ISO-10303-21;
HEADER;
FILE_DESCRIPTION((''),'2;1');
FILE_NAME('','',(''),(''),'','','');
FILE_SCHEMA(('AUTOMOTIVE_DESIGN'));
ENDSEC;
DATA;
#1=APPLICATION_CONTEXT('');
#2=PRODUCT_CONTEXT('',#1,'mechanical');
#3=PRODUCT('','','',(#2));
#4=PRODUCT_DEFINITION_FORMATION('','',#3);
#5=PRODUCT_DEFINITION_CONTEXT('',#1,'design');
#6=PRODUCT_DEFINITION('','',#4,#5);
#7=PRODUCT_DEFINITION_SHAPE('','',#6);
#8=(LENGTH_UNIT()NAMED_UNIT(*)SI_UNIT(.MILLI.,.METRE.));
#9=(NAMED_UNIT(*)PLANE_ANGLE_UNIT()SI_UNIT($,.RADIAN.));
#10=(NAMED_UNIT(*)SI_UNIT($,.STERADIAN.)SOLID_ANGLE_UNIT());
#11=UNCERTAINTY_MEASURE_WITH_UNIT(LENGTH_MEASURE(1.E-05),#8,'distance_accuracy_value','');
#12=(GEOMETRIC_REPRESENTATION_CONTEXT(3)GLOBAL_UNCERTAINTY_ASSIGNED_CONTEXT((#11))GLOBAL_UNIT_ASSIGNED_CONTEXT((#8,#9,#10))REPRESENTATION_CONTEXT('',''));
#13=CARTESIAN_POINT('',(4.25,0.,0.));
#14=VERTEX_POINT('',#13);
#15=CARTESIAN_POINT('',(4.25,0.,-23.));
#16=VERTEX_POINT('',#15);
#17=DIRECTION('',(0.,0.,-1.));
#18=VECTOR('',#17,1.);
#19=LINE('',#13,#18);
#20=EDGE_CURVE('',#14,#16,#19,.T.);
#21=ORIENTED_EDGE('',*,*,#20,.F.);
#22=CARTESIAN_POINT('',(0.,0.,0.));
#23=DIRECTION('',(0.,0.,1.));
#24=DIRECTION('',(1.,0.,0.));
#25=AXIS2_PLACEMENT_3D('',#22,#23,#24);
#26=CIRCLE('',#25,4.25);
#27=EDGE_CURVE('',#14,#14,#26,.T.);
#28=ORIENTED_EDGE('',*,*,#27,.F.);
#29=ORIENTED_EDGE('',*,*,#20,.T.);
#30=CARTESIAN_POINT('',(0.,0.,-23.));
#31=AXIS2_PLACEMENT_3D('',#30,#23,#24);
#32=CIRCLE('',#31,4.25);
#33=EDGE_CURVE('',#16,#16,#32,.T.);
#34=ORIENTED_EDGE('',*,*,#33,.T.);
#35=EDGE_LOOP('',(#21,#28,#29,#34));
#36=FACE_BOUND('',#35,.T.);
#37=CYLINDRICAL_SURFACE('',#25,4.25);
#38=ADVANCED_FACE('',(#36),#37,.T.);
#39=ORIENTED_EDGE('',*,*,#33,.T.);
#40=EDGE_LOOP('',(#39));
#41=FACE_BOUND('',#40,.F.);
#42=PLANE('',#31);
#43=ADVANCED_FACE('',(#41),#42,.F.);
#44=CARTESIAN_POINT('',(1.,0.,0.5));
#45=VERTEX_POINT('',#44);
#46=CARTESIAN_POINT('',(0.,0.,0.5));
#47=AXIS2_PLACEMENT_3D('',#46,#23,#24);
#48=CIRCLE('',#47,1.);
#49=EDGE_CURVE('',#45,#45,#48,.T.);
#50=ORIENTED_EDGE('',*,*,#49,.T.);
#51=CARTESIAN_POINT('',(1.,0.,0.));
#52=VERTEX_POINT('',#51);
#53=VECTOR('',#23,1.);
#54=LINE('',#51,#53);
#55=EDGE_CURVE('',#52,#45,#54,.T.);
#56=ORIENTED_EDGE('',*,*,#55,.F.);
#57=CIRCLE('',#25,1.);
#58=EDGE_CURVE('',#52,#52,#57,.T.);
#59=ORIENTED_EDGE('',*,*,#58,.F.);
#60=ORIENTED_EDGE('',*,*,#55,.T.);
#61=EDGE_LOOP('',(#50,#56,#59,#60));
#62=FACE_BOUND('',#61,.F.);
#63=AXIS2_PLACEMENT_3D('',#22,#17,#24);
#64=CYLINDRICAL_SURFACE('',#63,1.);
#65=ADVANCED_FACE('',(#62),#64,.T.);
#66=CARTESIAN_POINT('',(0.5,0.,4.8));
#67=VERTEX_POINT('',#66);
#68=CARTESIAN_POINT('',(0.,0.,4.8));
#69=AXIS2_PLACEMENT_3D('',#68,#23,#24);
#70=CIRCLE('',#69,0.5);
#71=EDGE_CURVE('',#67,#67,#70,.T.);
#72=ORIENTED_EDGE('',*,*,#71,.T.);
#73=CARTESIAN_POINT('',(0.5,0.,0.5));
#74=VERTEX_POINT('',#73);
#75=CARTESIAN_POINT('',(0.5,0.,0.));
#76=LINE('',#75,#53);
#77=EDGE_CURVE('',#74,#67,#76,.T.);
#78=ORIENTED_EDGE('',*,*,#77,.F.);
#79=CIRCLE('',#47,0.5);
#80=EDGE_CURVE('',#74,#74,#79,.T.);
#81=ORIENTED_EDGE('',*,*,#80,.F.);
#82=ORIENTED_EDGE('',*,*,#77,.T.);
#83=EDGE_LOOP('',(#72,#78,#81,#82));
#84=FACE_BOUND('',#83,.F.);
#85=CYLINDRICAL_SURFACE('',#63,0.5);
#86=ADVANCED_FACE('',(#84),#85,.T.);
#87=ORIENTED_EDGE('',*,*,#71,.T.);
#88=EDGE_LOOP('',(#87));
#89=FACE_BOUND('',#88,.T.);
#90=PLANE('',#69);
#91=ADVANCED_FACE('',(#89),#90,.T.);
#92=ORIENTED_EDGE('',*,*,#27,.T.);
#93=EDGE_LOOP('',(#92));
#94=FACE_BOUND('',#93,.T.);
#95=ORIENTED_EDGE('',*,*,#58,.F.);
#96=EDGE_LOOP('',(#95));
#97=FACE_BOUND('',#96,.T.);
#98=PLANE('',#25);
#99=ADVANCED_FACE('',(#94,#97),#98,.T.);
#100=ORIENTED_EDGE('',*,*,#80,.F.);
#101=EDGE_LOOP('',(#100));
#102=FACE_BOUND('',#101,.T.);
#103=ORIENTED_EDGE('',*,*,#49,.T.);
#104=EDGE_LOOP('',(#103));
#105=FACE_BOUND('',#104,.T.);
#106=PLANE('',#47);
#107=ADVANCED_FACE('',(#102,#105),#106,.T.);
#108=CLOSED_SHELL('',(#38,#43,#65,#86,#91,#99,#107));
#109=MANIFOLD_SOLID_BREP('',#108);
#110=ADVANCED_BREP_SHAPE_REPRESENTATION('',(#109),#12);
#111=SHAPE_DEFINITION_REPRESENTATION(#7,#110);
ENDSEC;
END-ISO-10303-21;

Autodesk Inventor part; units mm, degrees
ref_plane "YZ Plane" through (0, 0, 0) normal (1, 0, 0) x (0, 1, 0)
ref_plane "XZ Plane" through (0, 0, 0) normal (0, 1, 0) x (-1, 0, 0)
ref_plane "XY Plane" through (0, 0, 0) normal (0, 0, 1) x (1, 0, 0)
sketch "スケッチ1" plane through (0, 0, 0) normal (0, 0, 1) x (1, 0, 0)
  circle A0 centre (0, 0) radius 4.25
  dimension "d0" = 8.5
extrude "押し出し1" add sketch "スケッチ1" against normal blind 23
sketch "スケッチ2" plane through (0, 0, 0) normal (0, 0, 1) x (1, 0, 0)
  circle A0 centre (0, 0) radius 0.5
  dimension "d3" = 1
extrude "押し出し2" add sketch "スケッチ2" along normal blind 4.8
sketch "スケッチ3" plane through (0, 0, 0) normal (0, 0, 1) x (1, 0, 0)
  circle A0 centre (0, 0) radius 0.5 projected
  circle A1 centre (0, 0) radius 1
  dimension "d6" = 2
extrude "押し出し3" add sketch "スケッチ3" along normal blind 0.5
properties part number "8523Motor"
